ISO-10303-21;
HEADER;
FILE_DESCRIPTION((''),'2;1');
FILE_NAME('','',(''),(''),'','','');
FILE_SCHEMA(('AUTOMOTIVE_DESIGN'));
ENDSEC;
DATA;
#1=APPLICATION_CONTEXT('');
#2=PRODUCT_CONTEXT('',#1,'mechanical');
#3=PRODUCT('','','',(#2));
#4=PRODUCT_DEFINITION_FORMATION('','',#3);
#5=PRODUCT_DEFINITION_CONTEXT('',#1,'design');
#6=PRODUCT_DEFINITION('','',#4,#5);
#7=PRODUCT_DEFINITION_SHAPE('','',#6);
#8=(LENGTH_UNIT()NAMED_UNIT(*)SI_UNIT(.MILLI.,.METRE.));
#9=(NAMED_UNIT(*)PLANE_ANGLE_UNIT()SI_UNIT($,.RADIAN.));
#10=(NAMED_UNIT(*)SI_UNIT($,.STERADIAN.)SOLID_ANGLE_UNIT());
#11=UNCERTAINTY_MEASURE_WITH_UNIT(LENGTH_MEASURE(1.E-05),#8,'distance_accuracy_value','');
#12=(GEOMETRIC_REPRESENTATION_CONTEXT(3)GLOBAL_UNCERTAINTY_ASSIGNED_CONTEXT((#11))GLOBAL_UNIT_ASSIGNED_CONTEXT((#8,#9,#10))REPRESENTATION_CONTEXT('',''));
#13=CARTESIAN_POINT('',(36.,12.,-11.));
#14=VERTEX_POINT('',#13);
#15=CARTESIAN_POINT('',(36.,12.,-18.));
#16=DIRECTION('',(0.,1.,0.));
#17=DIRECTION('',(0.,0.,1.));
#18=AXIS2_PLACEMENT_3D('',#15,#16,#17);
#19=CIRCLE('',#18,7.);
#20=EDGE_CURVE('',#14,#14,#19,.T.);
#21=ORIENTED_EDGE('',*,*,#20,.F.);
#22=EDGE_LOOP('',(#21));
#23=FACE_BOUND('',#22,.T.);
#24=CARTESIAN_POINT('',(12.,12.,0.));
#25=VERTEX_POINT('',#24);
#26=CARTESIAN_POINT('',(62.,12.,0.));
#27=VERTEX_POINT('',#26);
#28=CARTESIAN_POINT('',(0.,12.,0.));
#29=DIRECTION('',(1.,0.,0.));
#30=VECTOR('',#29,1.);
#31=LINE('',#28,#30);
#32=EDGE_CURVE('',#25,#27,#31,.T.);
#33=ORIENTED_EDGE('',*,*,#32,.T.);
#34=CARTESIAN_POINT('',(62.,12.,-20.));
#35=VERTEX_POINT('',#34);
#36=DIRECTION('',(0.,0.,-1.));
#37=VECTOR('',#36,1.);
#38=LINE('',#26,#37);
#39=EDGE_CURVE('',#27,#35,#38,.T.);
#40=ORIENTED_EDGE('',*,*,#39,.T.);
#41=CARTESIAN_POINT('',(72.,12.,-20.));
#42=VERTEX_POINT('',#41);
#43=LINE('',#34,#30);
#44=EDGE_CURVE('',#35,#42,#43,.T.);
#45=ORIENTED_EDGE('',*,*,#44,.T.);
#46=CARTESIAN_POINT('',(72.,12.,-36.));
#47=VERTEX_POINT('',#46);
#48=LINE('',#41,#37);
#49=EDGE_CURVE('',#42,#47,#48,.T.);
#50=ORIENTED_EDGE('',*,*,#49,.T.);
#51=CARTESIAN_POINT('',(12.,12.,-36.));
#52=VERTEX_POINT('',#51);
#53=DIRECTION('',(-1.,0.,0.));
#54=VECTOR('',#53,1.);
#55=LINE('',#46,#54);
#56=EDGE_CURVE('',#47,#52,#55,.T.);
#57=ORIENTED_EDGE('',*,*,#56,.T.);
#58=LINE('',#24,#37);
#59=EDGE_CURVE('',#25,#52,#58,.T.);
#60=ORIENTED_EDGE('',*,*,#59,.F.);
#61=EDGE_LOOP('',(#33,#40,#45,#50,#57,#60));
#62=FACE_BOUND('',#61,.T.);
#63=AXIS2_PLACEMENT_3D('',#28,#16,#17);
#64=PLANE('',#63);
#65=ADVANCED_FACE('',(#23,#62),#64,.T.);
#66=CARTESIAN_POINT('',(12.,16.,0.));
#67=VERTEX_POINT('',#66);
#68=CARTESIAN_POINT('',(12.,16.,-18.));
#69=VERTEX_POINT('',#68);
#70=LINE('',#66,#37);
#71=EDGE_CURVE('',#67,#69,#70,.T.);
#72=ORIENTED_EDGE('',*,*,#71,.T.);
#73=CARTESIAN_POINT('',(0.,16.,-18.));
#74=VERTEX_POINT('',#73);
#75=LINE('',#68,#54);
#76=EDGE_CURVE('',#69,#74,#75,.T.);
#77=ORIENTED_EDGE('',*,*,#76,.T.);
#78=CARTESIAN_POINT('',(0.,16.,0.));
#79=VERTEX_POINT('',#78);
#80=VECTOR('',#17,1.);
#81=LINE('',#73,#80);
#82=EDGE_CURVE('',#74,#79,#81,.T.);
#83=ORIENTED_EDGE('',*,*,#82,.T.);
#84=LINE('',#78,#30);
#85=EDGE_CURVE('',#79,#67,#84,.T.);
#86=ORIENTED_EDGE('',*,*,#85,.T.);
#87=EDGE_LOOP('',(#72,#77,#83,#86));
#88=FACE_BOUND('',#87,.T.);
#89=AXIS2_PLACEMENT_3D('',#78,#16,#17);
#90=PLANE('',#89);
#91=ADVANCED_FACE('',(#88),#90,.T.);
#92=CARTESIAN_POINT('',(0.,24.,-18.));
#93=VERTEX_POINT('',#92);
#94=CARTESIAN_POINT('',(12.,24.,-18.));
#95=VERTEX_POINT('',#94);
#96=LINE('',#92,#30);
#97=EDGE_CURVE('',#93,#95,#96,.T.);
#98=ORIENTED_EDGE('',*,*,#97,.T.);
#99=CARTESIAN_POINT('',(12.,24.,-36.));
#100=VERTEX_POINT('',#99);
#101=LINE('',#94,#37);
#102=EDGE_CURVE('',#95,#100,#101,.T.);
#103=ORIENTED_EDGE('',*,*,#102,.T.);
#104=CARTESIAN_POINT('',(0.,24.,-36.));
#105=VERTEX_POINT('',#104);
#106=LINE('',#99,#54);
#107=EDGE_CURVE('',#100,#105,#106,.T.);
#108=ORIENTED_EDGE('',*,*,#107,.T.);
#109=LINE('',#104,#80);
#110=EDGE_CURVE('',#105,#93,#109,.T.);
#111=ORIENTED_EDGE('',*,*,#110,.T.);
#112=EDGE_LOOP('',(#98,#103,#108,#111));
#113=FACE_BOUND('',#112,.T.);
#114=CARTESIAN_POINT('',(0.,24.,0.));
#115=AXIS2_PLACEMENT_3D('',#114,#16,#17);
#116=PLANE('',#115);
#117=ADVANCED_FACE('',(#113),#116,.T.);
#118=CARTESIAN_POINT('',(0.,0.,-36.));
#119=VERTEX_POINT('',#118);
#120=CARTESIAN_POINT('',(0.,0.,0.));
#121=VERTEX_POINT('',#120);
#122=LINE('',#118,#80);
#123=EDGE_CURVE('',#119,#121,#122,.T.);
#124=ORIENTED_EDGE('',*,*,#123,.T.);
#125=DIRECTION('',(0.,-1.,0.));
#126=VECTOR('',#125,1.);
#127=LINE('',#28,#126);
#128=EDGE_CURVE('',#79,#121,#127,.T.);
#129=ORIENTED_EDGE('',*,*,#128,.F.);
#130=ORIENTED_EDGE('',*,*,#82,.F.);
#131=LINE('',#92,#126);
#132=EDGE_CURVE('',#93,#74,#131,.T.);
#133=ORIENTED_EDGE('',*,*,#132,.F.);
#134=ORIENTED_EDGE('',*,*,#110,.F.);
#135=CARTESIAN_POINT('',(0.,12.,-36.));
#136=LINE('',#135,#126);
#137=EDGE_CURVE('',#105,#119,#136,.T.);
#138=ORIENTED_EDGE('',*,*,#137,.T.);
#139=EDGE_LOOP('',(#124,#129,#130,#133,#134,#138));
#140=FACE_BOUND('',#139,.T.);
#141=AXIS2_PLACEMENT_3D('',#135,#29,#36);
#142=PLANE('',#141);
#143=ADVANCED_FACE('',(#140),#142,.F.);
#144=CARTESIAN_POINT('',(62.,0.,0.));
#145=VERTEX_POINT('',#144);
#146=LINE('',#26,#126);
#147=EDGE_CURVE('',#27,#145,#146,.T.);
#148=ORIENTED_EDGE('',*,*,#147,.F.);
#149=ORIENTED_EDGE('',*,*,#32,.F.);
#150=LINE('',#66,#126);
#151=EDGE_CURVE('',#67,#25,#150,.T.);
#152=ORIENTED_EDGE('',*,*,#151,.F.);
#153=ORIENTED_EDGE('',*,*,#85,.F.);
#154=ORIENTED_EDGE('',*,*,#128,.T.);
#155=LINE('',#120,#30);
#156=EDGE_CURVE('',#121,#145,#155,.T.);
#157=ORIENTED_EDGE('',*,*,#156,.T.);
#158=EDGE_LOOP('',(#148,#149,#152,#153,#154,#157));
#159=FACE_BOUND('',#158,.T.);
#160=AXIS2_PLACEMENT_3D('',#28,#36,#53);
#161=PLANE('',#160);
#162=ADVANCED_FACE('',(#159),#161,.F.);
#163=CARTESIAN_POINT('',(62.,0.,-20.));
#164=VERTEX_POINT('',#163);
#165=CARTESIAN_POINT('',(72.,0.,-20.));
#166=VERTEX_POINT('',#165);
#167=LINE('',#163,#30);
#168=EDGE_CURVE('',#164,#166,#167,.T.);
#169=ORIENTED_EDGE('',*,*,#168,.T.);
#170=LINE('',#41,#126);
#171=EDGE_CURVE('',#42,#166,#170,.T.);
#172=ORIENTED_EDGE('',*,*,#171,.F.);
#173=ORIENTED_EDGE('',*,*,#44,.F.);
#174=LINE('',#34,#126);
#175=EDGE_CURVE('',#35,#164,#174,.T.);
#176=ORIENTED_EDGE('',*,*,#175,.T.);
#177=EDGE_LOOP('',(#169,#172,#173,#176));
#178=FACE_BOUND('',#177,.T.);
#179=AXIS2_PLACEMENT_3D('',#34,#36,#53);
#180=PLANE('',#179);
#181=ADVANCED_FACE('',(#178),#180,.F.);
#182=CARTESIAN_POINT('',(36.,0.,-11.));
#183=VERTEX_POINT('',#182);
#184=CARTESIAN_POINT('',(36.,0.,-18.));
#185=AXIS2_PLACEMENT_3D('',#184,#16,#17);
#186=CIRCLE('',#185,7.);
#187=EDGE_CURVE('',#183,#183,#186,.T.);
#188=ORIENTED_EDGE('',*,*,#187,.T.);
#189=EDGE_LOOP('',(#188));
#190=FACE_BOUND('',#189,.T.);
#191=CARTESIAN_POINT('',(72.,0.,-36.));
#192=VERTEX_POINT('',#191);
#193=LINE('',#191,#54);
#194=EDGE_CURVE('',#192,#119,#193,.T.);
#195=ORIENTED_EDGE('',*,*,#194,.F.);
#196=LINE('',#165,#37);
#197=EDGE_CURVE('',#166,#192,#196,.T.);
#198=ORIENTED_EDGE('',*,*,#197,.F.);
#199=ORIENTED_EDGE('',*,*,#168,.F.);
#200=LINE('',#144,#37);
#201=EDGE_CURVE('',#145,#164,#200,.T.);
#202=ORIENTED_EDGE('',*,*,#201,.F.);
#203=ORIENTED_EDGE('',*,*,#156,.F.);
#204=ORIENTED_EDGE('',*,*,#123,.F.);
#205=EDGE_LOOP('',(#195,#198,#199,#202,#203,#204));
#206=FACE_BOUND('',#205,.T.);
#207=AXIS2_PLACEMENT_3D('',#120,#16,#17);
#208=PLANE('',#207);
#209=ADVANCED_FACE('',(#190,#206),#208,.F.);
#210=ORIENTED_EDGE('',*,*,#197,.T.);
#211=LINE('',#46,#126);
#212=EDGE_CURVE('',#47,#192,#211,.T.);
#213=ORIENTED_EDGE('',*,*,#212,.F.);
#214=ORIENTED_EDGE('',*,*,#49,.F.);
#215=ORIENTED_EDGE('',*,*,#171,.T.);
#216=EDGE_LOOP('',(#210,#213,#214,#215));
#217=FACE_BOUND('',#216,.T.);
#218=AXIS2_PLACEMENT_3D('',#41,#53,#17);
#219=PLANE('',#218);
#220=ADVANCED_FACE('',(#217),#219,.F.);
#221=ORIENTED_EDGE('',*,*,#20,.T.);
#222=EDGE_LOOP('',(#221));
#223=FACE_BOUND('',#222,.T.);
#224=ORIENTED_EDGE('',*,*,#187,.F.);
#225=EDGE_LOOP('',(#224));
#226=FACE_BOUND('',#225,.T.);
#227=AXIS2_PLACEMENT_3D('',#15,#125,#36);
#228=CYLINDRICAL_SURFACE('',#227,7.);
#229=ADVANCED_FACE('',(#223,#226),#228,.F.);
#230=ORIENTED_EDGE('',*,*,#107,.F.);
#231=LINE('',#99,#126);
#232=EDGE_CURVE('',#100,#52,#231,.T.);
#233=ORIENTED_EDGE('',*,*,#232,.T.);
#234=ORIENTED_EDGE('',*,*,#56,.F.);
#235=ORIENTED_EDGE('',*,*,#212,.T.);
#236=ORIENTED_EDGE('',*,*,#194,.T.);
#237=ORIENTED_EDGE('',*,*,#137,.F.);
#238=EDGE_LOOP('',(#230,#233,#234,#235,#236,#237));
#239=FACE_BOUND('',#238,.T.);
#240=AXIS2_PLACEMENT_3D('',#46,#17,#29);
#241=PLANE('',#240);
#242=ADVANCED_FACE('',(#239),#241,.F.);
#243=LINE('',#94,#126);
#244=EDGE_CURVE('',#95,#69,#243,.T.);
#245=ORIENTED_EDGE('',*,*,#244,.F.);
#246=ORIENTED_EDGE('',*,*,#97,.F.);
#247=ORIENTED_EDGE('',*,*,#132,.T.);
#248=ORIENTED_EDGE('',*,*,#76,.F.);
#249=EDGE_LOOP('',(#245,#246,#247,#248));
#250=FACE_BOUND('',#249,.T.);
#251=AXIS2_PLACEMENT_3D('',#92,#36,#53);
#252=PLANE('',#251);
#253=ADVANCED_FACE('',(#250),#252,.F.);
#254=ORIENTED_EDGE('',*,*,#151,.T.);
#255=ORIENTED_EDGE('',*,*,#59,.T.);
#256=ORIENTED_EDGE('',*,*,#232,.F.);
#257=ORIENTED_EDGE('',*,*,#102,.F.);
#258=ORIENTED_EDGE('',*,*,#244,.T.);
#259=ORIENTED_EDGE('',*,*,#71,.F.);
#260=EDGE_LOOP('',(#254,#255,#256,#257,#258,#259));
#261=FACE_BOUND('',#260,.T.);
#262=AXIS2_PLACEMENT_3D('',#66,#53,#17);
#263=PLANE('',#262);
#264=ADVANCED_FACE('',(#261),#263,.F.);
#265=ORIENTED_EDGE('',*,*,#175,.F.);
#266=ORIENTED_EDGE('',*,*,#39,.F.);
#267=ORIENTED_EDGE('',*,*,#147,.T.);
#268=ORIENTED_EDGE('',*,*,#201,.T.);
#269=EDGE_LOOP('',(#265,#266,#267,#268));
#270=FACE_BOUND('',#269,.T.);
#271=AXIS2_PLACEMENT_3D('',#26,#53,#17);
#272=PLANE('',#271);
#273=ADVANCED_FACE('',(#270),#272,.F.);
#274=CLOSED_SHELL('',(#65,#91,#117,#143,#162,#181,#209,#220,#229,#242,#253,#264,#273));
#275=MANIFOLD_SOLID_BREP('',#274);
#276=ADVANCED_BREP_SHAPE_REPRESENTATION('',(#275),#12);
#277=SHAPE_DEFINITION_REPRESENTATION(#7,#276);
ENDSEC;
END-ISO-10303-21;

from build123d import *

# Parameters (mm, degrees)
SKETCH_1_R      = 7
EXTRUDE_1_DEPTH = 12
SKETCH_2_W      = 12
SKETCH_2_H      = 18
EXTRUDE_2_DEPTH = 4
SKETCH_3_W      = 12
SKETCH_3_H      = 18
EXTRUDE_3_DEPTH = 12


with BuildPart() as part:
    # 草圖1 → 填料-伸長1 (new body)
    with BuildSketch(Plane(origin=(0, 0, 0), x_dir=(1, 0, 0), z_dir=(0, 1, 0))):
        Polygon((0, 0), (62, 0), (62, 20), (72, 20), (72, 36), (0, 36), align=None)
        with Locations(Location((36, 18, 0), (0, 0, 270))):
            Circle(SKETCH_1_R, mode=Mode.SUBTRACT)
    extrude(amount=EXTRUDE_1_DEPTH)

    # 草圖2 → 填料-伸長2 (add)
    with BuildSketch(Plane(origin=(0, 12, 0), x_dir=(1, 0, 0), z_dir=(0, 1, 0))):
        with Locations((6, 9)):
            Rectangle(SKETCH_2_W, SKETCH_2_H)
    extrude(amount=EXTRUDE_2_DEPTH)

    # 草圖3 → 填料-伸長3 (add)
    with BuildSketch(Plane(origin=(0, 12, 0), x_dir=(1, 0, 0), z_dir=(0, 1, 0))):
        with Locations((6, 27)):
            Rectangle(SKETCH_3_W, SKETCH_3_H)
    extrude(amount=EXTRUDE_3_DEPTH)


solid = part.part
